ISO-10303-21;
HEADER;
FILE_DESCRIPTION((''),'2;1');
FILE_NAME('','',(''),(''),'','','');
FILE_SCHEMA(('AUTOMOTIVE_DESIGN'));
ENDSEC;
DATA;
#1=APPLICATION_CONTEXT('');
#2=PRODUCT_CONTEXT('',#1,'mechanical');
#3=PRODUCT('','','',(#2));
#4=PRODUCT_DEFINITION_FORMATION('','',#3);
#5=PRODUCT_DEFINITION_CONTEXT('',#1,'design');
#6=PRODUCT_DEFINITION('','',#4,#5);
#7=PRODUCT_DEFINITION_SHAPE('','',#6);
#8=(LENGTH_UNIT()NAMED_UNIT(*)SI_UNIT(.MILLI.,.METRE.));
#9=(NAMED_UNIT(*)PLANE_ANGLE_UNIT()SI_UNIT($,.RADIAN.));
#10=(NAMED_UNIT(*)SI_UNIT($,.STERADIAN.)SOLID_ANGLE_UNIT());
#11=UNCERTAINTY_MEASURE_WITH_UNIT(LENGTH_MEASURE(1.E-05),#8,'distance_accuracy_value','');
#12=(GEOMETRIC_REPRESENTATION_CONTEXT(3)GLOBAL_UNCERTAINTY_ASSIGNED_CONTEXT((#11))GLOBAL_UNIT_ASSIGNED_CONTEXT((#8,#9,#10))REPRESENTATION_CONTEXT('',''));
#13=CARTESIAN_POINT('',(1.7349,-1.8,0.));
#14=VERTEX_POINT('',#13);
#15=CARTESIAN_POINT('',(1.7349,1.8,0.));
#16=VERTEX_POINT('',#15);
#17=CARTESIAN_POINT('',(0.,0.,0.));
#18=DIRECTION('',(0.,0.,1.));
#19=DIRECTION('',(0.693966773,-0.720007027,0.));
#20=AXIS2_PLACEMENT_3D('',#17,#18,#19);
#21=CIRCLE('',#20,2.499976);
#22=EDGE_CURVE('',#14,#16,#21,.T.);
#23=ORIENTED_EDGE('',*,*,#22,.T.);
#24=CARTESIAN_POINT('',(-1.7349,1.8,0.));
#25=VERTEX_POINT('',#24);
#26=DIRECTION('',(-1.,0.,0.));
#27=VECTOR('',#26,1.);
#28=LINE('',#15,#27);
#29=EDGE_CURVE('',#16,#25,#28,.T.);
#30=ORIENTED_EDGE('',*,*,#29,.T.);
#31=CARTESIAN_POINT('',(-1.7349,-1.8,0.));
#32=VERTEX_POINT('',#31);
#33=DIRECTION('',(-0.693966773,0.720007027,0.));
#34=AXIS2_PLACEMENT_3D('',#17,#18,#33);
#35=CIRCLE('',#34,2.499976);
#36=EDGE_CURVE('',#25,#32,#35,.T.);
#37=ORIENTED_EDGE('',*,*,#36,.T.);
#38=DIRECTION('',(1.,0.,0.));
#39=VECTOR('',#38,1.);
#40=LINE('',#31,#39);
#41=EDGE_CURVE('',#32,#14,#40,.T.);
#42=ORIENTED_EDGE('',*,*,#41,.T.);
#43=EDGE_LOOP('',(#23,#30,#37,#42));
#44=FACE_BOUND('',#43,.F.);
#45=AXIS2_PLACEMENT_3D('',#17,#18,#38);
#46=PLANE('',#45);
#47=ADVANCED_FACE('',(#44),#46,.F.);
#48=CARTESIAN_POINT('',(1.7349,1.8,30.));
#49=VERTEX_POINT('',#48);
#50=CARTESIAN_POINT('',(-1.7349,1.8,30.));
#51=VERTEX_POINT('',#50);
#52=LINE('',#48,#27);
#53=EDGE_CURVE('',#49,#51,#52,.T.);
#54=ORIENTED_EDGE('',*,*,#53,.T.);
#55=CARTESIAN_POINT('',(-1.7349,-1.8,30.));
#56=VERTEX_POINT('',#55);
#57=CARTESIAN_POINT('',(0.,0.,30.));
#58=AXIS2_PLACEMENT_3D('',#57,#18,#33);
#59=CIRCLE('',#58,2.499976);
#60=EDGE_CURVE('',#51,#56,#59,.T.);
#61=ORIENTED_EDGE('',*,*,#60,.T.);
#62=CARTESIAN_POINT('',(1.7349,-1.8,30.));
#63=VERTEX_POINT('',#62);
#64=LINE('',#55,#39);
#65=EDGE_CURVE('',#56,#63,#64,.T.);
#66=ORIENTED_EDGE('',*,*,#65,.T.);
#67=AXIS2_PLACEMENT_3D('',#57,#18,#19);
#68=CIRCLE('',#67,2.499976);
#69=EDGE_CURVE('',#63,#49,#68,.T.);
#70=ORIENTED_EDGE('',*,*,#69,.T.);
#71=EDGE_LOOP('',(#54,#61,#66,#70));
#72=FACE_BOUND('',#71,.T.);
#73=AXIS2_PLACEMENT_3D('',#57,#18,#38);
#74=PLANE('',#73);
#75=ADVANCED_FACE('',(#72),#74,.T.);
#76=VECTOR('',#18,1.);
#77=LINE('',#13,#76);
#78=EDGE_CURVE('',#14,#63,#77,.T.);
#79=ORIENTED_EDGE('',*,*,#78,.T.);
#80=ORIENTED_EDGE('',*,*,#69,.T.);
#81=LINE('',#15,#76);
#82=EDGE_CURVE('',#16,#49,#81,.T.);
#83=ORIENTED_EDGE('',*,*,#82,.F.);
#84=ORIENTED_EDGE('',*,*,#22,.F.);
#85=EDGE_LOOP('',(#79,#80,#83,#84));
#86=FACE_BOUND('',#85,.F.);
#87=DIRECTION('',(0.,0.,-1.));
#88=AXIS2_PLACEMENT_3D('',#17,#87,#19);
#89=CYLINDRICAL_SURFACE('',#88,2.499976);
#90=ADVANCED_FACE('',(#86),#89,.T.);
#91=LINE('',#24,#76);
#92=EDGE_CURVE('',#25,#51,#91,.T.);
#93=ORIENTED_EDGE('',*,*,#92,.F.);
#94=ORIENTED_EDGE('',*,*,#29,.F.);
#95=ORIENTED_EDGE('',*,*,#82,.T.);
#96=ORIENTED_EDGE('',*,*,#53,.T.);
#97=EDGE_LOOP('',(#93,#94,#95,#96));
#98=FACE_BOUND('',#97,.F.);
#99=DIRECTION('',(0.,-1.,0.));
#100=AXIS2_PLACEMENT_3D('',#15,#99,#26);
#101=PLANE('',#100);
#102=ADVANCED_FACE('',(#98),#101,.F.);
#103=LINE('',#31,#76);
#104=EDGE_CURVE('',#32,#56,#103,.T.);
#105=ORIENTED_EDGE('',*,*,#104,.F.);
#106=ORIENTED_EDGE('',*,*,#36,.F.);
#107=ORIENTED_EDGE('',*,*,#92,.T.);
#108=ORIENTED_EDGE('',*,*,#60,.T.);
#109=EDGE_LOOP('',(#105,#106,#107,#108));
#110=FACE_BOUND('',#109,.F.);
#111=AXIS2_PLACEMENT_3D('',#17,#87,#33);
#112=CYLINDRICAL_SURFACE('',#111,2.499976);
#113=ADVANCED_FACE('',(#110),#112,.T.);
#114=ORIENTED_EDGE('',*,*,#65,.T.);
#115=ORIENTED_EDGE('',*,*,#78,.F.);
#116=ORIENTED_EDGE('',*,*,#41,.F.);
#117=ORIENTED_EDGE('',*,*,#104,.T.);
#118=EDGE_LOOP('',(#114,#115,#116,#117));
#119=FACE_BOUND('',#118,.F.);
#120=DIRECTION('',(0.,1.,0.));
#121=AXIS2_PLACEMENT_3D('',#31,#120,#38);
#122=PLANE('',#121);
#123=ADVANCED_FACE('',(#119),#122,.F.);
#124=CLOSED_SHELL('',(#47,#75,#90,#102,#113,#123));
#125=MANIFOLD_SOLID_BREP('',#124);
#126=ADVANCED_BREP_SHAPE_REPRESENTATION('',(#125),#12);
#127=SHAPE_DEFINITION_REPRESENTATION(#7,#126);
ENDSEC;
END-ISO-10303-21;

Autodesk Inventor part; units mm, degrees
ref_plane "YZ Plane" through (0, 0, 0) normal (1, 0, 0) x (0, 1, 0)
ref_plane "XZ Plane" through (0, 0, 0) normal (0, 1, 0) x (-1, 0, 0)
ref_plane "XY Plane" through (0, 0, 0) normal (0, 0, 1) x (1, 0, 0)
sketch "Sketch1" plane through (0, 0, 0) normal (0, 0, 1) x (1, 0, 0)
  line L0 (-1.7349, -1.8) -> (1.7349, -1.8)
  line L1 (1.7349, 1.8) -> (-1.7349, 1.8)
  arc A0 (-1.7349, 1.8) -> (-1.7349, -1.8) centre (0, 0) ccw
  arc A1 (1.7349, -1.8) -> (1.7349, 1.8) centre (0, 0) ccw
extrude "Extrusion1" add sketch "Sketch1" along normal blind 30
properties part number "wheel_axle"
